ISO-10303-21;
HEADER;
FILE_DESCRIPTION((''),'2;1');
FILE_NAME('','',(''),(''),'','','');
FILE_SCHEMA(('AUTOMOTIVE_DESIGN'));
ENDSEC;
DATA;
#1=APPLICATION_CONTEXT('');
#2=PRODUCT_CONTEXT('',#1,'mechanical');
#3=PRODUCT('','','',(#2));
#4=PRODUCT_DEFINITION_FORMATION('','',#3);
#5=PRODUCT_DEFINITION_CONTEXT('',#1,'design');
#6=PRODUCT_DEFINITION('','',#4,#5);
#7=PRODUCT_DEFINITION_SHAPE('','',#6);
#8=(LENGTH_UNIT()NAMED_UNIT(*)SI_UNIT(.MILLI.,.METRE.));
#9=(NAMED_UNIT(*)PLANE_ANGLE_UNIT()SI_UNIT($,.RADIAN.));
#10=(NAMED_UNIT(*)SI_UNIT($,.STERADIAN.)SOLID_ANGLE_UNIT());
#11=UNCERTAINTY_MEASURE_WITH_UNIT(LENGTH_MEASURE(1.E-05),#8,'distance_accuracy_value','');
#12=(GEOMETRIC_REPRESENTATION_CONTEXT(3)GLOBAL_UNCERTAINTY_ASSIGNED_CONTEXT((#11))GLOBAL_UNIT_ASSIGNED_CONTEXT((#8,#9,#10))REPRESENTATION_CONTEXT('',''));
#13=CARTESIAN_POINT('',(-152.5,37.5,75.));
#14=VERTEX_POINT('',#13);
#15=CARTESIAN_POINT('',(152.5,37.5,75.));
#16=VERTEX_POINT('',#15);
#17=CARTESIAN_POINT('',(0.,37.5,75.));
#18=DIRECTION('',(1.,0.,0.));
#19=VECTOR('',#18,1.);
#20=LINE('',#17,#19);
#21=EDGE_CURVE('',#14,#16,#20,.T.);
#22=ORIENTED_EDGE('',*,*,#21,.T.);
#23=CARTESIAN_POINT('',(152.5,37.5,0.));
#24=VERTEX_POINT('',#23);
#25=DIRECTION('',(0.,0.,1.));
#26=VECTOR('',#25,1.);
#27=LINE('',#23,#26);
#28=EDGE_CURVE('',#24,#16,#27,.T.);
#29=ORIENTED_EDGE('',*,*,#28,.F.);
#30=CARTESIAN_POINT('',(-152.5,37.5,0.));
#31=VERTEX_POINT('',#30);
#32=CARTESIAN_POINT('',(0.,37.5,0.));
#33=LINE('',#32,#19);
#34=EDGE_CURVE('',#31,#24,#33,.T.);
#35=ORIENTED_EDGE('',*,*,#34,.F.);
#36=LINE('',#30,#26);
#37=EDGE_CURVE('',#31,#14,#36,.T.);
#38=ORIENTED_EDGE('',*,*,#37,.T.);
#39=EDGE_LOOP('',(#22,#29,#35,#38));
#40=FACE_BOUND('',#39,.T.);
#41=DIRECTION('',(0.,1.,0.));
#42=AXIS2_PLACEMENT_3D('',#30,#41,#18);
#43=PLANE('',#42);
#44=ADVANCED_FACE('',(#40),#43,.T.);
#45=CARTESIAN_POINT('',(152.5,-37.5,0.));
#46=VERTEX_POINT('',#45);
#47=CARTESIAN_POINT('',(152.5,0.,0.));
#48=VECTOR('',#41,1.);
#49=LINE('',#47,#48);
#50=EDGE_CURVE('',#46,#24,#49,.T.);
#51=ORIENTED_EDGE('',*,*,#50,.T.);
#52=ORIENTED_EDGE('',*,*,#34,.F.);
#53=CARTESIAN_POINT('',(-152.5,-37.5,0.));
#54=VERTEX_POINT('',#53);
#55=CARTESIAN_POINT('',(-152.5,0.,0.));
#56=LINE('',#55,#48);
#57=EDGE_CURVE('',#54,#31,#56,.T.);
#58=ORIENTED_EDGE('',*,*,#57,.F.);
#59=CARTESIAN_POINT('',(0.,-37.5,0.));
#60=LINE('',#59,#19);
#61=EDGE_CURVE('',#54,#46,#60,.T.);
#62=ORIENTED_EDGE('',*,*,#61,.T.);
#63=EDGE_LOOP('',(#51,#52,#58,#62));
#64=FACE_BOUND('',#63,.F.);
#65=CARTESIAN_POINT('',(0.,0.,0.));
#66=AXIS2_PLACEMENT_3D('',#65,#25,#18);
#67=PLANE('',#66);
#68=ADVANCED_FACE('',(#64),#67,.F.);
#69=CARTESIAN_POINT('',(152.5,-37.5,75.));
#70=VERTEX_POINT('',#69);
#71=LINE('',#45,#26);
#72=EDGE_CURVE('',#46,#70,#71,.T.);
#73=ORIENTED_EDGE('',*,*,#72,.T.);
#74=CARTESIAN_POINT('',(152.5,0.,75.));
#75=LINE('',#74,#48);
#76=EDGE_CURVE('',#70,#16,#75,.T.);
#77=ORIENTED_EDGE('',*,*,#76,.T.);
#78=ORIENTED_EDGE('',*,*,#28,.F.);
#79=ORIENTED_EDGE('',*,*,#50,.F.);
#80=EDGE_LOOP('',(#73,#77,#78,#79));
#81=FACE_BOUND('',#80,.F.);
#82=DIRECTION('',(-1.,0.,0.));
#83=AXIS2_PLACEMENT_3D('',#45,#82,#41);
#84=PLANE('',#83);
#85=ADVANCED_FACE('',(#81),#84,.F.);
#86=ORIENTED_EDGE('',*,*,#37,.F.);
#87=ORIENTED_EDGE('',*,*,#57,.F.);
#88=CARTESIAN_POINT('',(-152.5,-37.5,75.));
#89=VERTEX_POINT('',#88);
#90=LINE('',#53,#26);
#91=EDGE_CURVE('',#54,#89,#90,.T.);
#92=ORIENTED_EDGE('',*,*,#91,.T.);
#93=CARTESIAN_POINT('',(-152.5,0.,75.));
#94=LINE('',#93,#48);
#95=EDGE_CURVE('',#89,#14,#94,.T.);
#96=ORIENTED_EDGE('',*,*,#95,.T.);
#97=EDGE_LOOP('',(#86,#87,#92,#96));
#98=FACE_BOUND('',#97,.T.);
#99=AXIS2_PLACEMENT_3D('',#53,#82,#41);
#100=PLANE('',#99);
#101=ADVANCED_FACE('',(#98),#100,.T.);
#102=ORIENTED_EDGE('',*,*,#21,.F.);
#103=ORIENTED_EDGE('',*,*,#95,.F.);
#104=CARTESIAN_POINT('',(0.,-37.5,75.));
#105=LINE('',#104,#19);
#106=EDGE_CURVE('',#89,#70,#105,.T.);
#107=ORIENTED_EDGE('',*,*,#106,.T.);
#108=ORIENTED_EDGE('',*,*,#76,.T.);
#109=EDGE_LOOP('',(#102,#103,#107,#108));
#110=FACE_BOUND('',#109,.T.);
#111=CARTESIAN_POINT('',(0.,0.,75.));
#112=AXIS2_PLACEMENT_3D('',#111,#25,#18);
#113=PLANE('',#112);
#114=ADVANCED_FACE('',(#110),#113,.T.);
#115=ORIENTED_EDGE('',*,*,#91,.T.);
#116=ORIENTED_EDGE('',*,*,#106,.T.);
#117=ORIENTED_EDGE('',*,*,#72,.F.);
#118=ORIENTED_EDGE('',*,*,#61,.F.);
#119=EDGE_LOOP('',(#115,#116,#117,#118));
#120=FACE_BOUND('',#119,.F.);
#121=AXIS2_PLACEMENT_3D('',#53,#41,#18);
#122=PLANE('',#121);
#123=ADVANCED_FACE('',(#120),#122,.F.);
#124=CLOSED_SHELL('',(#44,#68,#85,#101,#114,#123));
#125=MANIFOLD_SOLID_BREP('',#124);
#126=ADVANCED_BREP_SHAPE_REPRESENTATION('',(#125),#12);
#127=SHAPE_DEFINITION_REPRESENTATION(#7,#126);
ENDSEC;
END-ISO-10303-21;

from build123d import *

# Parameters (mm, degrees)
F0_W     = 305
F0_H     = 75
F1_DEPTH = 75
F2_R     = 9.5
F3_DEPTH = 55


with BuildPart() as f1:
    # F0 (on Top) → F1 (new body)
    with BuildSketch(Plane.XY):
        Rectangle(F0_W, F0_H)
    extrude(amount=F1_DEPTH)

    # F2 (on face) → F3 (join)
    with BuildSketch(Plane(origin=(-152.5, 0, 0), x_dir=(0, -1, 0), z_dir=(-1, 0, 0))):
        with Locations((-0.5, 43)):
            Circle(F2_R)
    extrude(amount=-F3_DEPTH)


solid = f1.part
